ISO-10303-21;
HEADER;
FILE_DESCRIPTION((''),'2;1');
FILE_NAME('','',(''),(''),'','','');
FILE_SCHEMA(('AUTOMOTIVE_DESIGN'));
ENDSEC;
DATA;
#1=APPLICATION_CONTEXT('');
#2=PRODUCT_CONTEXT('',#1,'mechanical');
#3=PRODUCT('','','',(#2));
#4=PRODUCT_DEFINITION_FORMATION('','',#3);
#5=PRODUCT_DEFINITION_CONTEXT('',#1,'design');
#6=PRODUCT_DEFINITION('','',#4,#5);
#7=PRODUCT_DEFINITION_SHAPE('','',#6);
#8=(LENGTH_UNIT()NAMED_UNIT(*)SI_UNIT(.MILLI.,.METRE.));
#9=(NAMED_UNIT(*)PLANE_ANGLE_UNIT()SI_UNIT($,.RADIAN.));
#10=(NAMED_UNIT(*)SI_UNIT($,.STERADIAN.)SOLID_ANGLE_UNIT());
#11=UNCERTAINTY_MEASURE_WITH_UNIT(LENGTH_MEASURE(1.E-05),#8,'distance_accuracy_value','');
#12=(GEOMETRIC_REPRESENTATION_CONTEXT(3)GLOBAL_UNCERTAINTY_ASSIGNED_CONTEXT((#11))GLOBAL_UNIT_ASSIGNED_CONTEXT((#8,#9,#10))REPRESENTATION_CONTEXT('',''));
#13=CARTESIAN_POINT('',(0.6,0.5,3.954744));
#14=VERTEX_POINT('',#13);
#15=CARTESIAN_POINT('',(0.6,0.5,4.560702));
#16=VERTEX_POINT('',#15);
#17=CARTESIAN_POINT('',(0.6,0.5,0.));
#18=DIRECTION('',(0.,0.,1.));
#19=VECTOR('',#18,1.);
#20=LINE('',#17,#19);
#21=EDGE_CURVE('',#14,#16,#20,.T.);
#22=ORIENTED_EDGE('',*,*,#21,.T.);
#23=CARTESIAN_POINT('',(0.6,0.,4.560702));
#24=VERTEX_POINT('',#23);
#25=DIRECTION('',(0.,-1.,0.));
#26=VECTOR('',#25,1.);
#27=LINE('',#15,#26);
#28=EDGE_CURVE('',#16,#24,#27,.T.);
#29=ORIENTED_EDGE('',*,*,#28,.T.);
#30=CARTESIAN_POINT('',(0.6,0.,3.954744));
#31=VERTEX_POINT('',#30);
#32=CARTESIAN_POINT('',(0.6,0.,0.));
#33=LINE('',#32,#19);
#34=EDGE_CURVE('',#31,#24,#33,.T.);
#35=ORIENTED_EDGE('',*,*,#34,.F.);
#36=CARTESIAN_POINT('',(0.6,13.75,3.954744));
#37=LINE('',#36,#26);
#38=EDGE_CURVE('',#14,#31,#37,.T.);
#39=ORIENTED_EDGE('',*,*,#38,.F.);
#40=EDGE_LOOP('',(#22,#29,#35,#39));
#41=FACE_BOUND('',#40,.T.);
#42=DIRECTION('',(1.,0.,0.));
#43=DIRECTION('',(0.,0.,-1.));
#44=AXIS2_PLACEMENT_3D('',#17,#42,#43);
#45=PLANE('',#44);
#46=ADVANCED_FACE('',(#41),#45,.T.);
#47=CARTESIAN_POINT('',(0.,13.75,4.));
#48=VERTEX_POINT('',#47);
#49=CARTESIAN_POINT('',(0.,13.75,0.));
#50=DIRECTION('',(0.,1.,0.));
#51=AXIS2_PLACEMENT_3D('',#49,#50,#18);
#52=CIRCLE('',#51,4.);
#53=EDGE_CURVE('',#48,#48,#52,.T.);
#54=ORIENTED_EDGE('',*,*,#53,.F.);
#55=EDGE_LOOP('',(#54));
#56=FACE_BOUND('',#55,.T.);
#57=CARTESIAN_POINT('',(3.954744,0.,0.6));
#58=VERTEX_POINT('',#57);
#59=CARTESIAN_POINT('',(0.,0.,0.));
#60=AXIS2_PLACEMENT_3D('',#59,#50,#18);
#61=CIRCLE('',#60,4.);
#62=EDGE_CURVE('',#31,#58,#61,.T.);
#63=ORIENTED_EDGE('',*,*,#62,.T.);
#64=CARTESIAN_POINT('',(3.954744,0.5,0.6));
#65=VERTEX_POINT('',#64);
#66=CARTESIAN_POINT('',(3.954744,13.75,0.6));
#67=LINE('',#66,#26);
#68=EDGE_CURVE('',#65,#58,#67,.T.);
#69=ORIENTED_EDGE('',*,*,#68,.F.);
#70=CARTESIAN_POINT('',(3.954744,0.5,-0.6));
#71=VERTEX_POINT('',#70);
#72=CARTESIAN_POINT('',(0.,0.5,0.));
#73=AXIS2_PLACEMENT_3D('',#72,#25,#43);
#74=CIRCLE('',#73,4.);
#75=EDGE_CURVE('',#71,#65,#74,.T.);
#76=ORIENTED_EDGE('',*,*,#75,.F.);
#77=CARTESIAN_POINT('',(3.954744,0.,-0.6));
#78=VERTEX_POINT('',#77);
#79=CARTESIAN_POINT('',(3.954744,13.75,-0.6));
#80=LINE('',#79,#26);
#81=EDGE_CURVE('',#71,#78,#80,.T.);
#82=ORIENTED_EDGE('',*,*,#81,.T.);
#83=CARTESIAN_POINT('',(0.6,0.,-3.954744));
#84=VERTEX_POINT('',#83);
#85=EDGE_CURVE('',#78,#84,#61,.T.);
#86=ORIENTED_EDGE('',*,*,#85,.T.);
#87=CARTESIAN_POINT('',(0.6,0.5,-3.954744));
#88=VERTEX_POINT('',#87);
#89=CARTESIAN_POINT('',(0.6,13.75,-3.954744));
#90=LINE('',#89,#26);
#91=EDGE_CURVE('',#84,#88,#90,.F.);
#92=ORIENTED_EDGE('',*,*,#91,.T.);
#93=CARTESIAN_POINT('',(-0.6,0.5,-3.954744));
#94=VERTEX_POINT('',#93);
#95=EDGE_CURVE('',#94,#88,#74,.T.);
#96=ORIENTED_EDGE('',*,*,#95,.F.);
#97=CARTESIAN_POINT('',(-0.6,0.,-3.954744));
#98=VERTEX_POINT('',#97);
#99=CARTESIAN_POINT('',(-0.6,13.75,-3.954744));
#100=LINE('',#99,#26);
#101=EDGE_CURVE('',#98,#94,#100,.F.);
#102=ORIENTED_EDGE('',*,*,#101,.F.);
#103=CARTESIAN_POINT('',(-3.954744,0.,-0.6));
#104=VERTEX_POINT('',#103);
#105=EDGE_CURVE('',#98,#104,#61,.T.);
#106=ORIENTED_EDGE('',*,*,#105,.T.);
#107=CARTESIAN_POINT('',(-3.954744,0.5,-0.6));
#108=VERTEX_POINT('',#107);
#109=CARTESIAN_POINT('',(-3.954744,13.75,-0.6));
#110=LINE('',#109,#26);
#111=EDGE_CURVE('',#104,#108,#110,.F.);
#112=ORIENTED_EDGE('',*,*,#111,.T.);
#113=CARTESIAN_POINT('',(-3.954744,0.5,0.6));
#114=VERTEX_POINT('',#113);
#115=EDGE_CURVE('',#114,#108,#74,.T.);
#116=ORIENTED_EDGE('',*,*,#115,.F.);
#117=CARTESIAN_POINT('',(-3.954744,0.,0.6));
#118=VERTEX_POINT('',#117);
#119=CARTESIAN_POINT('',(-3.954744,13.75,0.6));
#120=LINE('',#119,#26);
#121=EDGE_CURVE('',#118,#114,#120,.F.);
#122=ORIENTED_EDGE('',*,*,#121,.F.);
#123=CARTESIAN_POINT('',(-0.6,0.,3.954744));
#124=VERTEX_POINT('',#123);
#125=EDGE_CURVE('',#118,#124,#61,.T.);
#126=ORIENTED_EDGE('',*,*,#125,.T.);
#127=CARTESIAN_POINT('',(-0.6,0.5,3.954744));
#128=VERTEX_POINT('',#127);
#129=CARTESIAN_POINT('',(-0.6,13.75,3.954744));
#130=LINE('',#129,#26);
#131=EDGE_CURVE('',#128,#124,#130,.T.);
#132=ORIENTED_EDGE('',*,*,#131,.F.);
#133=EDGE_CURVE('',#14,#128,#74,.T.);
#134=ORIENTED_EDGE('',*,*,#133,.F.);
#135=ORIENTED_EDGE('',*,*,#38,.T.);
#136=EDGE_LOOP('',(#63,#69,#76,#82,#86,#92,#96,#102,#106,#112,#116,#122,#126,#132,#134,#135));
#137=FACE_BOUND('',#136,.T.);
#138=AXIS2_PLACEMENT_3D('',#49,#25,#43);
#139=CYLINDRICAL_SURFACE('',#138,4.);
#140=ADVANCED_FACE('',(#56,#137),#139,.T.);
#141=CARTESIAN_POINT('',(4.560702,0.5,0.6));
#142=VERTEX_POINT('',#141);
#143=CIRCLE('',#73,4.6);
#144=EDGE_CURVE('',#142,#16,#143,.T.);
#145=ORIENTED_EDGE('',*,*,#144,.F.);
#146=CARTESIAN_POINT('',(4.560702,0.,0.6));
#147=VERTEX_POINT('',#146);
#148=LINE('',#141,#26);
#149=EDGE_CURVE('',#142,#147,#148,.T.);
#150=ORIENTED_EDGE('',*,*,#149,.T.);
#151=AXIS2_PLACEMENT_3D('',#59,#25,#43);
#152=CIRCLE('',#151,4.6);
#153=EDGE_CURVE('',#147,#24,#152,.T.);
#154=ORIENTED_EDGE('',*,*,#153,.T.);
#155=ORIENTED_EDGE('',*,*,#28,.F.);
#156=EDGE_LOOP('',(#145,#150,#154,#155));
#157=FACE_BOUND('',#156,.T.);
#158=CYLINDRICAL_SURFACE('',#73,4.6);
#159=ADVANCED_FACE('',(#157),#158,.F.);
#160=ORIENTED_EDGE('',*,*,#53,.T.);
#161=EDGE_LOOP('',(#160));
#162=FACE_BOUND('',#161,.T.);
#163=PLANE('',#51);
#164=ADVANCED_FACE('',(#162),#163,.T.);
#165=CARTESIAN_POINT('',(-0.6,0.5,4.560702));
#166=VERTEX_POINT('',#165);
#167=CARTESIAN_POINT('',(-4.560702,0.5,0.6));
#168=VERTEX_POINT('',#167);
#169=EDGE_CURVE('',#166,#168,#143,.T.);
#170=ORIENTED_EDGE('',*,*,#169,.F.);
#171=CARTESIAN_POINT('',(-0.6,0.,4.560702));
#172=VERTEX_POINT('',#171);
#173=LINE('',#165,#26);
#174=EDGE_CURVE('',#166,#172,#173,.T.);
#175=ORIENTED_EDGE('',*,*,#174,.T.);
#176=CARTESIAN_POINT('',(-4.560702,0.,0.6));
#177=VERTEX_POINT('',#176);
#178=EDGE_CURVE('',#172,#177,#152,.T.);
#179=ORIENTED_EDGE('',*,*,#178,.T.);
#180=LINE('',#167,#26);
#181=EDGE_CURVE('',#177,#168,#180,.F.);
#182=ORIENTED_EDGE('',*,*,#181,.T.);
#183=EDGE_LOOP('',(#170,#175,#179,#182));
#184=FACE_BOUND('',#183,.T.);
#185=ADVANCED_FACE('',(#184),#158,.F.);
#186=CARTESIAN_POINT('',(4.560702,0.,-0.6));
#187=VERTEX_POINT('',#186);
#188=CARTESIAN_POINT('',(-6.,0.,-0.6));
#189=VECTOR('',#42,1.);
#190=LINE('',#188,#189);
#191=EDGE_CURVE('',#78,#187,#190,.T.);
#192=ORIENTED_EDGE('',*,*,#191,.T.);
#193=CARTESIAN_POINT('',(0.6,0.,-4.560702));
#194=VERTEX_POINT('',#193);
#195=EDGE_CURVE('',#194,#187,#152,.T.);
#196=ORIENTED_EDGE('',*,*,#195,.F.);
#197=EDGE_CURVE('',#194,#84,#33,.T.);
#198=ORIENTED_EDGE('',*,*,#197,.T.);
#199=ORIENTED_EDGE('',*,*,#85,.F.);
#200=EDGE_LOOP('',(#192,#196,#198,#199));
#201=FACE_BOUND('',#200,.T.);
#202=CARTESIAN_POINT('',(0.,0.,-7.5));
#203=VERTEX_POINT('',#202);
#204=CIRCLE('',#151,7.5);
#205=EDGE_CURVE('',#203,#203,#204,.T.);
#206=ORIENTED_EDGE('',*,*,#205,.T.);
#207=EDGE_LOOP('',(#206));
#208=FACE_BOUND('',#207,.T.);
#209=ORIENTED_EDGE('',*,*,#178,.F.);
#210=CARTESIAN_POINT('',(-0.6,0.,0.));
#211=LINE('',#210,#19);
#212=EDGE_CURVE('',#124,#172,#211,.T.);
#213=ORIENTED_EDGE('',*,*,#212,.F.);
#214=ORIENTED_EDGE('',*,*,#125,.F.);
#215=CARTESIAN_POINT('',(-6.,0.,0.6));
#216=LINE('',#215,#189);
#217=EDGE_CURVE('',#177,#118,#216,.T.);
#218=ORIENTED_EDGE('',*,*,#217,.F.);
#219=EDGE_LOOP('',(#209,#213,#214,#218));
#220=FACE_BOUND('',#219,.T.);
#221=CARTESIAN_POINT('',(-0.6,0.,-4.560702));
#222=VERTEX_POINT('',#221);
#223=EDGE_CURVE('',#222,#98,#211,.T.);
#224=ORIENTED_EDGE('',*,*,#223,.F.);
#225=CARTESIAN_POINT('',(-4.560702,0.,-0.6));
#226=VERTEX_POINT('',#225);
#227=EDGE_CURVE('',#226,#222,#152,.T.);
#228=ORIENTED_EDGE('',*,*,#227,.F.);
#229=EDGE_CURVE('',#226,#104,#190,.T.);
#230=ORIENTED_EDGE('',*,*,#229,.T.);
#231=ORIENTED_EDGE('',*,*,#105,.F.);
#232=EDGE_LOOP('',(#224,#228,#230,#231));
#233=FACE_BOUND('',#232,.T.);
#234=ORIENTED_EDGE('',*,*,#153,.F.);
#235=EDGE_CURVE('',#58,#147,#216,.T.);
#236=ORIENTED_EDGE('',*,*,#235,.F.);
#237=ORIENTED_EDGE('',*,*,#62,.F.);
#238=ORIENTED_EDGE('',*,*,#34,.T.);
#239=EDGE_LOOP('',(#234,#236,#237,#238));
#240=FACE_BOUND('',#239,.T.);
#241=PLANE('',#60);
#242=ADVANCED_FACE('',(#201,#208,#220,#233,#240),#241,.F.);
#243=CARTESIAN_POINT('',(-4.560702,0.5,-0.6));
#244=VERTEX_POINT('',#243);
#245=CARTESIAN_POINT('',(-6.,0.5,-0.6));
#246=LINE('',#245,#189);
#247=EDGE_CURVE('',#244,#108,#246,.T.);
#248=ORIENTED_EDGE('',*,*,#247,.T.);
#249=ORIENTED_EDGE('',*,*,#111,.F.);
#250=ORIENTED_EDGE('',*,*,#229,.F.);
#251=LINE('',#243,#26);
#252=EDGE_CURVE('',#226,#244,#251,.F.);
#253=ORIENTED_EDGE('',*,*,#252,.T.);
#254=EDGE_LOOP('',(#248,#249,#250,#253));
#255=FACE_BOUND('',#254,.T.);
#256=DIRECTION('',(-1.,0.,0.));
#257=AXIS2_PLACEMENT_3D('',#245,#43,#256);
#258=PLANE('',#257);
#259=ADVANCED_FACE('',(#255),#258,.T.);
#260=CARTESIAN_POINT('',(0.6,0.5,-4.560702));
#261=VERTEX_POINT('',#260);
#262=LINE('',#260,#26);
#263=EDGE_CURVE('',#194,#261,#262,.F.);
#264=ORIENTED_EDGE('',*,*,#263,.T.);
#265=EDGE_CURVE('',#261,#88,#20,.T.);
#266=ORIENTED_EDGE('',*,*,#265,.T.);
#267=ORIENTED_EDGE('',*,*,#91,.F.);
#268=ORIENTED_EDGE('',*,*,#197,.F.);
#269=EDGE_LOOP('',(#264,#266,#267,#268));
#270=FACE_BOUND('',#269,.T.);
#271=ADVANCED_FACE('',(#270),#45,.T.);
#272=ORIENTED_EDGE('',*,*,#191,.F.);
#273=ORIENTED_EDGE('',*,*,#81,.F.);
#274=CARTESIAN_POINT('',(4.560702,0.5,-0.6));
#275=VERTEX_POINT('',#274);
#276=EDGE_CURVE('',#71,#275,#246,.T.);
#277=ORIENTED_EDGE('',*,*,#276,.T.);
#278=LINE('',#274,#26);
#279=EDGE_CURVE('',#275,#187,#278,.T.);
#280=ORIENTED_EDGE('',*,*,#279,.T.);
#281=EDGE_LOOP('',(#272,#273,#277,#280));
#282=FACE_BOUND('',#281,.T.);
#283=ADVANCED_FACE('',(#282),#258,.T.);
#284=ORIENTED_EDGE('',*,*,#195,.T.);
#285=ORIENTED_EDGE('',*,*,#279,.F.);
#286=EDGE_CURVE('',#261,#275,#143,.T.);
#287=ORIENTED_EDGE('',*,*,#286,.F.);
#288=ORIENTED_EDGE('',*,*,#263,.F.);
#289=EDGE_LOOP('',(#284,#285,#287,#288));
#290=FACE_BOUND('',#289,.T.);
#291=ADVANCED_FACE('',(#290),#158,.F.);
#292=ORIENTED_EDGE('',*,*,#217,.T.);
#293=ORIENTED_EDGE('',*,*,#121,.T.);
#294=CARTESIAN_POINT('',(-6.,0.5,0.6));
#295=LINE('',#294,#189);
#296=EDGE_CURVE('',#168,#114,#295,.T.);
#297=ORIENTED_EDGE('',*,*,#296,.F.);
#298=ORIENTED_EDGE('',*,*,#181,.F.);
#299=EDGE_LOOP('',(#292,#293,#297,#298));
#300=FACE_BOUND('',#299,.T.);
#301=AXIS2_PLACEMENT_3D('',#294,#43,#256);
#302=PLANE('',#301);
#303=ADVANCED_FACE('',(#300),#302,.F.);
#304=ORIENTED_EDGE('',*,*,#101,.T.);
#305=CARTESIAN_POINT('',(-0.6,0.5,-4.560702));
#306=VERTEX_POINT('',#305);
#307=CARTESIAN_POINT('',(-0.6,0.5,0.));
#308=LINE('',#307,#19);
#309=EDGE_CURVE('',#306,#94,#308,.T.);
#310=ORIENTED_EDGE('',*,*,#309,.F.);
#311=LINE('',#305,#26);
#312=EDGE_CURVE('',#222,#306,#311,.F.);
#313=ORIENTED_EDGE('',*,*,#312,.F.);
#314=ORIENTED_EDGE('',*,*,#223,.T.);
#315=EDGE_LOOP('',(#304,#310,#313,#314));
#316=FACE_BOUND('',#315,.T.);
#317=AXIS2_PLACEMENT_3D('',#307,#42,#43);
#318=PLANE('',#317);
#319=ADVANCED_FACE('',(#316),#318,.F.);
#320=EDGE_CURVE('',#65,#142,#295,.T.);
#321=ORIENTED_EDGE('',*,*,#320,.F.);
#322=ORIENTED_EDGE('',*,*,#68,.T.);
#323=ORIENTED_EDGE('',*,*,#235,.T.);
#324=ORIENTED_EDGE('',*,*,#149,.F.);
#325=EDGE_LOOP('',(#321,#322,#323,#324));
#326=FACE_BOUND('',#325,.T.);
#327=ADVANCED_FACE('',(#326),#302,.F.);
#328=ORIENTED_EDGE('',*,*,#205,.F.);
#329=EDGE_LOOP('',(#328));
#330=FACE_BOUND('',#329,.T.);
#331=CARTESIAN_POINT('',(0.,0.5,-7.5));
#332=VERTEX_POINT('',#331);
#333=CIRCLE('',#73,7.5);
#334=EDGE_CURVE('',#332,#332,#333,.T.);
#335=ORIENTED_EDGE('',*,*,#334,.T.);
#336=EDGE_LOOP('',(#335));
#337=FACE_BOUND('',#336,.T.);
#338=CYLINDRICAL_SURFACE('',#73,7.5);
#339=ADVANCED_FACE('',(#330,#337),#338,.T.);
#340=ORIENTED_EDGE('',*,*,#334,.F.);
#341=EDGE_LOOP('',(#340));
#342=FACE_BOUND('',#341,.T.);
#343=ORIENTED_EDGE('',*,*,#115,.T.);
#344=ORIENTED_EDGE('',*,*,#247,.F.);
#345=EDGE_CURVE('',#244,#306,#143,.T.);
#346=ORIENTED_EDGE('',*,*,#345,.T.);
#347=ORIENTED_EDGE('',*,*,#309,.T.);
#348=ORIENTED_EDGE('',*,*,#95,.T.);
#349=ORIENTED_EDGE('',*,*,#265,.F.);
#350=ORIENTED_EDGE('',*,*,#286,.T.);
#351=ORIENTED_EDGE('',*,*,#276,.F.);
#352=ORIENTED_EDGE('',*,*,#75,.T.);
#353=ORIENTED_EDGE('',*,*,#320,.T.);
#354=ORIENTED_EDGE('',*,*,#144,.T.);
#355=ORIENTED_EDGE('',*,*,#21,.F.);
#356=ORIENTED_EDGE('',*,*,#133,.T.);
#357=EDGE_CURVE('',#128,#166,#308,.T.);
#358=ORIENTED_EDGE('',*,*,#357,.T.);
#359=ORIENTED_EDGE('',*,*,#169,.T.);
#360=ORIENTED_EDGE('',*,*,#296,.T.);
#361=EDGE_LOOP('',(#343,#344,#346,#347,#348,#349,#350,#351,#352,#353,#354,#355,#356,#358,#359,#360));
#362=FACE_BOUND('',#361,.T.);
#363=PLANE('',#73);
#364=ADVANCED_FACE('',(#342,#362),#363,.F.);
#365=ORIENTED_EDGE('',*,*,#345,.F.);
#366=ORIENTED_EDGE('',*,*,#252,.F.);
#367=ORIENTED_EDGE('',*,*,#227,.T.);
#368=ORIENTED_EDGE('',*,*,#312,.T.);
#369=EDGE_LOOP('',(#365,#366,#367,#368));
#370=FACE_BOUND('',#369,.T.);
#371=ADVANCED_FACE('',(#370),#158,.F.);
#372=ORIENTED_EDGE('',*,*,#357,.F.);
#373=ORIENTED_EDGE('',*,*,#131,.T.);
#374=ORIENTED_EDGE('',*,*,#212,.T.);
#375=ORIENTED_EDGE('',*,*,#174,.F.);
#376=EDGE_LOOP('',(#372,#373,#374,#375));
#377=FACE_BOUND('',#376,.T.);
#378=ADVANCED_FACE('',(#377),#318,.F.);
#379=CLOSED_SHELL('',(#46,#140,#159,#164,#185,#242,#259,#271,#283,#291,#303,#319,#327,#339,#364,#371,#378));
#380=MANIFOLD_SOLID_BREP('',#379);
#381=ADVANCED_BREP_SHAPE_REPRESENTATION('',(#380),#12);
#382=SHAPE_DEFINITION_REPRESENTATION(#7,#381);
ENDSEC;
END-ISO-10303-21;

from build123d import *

# Parameters (mm, degrees)
SKETCH1_R           = 4
BOSS_EXTRUDE1_DEPTH = 13.75
SKETCH2_R           = 7.5
SKETCH2_R_2         = 4.6
BOSS_EXTRUDE2_DEPTH = 0.5
BOSS_EXTRUDE3_DEPTH = 0.5


with BuildPart() as part:
    # Sketch1 → Boss-Extrude1 (new body)
    with BuildSketch(Plane(origin=(0, 0, 0), x_dir=(1, 0, 0), z_dir=(0, 1, 0))):
        with Locations(Location((0, 0, 0), (0, 0, 270))):
            Circle(SKETCH1_R)
    extrude(amount=BOSS_EXTRUDE1_DEPTH)



with BuildPart() as body_2:
    # Sketch2 → Boss-Extrude2 (new body)
    with BuildSketch(Plane(origin=(0, 0, 0), x_dir=(-1, 0, 0), z_dir=(0, -1, 0))):
        with Locations(Location((0, 0, 0), (0, 0, 90))):
            Circle(SKETCH2_R)
        with Locations(Location((0, 0, 0), (0, 0, 90))):
            Circle(SKETCH2_R_2, mode=Mode.SUBTRACT)
    extrude(amount=-BOSS_EXTRUDE2_DEPTH)


with BuildPart() as part_1:
    add(part.part)

    add(body_2.part)  # Boss-Extrude3 merges body 2
    # Sketch3 → Boss-Extrude3 (add)
    with BuildSketch(Plane(origin=(0, 0, 0), x_dir=(-1, 0, 0), z_dir=(0, -1, 0))):
        with BuildLine():
            ThreePointArc((4.5607017, -0.6), (4.6, 0), (4.5607017, 0.6))
            Line((4.5607017, 0.6), (3.954743987, 0.6))
            ThreePointArc((3.954743987, 0.6), (4, 0), (3.954743987, -0.6))
            Line((3.954743987, -0.6), (4.5607017, -0.6))
        make_face()
        with BuildLine():
            Line((0.6, 3.954743987), (0.6, 4.5607017))
            ThreePointArc((0.6, 4.5607017), (0, 4.6), (-0.6, 4.5607017))
            Line((-0.6, 4.5607017), (-0.6, 3.954743987))
            ThreePointArc((-0.6, 3.954743987), (0, 4), (0.6, 3.954743987))
        make_face()
        with BuildLine():
            ThreePointArc((-0.6, -4.5607017), (0, -4.6), (0.6, -4.5607017))
            Line((0.6, -4.5607017), (0.6, -3.954743987))
            ThreePointArc((0.6, -3.954743987), (0, -4), (-0.6, -3.954743987))
            Line((-0.6, -3.954743987), (-0.6, -4.5607017))
        make_face()
        with BuildLine():
            Line((-3.954743987, 0.6), (-4.5607017, 0.6))
            ThreePointArc((-4.5607017, 0.6), (-4.6, 0), (-4.5607017, -0.6))
            Line((-4.5607017, -0.6), (-3.954743987, -0.6))
            ThreePointArc((-3.954743987, -0.6), (-4, 0), (-3.954743987, 0.6))
        make_face()
    extrude(amount=-BOSS_EXTRUDE3_DEPTH)


solid = part_1.part
